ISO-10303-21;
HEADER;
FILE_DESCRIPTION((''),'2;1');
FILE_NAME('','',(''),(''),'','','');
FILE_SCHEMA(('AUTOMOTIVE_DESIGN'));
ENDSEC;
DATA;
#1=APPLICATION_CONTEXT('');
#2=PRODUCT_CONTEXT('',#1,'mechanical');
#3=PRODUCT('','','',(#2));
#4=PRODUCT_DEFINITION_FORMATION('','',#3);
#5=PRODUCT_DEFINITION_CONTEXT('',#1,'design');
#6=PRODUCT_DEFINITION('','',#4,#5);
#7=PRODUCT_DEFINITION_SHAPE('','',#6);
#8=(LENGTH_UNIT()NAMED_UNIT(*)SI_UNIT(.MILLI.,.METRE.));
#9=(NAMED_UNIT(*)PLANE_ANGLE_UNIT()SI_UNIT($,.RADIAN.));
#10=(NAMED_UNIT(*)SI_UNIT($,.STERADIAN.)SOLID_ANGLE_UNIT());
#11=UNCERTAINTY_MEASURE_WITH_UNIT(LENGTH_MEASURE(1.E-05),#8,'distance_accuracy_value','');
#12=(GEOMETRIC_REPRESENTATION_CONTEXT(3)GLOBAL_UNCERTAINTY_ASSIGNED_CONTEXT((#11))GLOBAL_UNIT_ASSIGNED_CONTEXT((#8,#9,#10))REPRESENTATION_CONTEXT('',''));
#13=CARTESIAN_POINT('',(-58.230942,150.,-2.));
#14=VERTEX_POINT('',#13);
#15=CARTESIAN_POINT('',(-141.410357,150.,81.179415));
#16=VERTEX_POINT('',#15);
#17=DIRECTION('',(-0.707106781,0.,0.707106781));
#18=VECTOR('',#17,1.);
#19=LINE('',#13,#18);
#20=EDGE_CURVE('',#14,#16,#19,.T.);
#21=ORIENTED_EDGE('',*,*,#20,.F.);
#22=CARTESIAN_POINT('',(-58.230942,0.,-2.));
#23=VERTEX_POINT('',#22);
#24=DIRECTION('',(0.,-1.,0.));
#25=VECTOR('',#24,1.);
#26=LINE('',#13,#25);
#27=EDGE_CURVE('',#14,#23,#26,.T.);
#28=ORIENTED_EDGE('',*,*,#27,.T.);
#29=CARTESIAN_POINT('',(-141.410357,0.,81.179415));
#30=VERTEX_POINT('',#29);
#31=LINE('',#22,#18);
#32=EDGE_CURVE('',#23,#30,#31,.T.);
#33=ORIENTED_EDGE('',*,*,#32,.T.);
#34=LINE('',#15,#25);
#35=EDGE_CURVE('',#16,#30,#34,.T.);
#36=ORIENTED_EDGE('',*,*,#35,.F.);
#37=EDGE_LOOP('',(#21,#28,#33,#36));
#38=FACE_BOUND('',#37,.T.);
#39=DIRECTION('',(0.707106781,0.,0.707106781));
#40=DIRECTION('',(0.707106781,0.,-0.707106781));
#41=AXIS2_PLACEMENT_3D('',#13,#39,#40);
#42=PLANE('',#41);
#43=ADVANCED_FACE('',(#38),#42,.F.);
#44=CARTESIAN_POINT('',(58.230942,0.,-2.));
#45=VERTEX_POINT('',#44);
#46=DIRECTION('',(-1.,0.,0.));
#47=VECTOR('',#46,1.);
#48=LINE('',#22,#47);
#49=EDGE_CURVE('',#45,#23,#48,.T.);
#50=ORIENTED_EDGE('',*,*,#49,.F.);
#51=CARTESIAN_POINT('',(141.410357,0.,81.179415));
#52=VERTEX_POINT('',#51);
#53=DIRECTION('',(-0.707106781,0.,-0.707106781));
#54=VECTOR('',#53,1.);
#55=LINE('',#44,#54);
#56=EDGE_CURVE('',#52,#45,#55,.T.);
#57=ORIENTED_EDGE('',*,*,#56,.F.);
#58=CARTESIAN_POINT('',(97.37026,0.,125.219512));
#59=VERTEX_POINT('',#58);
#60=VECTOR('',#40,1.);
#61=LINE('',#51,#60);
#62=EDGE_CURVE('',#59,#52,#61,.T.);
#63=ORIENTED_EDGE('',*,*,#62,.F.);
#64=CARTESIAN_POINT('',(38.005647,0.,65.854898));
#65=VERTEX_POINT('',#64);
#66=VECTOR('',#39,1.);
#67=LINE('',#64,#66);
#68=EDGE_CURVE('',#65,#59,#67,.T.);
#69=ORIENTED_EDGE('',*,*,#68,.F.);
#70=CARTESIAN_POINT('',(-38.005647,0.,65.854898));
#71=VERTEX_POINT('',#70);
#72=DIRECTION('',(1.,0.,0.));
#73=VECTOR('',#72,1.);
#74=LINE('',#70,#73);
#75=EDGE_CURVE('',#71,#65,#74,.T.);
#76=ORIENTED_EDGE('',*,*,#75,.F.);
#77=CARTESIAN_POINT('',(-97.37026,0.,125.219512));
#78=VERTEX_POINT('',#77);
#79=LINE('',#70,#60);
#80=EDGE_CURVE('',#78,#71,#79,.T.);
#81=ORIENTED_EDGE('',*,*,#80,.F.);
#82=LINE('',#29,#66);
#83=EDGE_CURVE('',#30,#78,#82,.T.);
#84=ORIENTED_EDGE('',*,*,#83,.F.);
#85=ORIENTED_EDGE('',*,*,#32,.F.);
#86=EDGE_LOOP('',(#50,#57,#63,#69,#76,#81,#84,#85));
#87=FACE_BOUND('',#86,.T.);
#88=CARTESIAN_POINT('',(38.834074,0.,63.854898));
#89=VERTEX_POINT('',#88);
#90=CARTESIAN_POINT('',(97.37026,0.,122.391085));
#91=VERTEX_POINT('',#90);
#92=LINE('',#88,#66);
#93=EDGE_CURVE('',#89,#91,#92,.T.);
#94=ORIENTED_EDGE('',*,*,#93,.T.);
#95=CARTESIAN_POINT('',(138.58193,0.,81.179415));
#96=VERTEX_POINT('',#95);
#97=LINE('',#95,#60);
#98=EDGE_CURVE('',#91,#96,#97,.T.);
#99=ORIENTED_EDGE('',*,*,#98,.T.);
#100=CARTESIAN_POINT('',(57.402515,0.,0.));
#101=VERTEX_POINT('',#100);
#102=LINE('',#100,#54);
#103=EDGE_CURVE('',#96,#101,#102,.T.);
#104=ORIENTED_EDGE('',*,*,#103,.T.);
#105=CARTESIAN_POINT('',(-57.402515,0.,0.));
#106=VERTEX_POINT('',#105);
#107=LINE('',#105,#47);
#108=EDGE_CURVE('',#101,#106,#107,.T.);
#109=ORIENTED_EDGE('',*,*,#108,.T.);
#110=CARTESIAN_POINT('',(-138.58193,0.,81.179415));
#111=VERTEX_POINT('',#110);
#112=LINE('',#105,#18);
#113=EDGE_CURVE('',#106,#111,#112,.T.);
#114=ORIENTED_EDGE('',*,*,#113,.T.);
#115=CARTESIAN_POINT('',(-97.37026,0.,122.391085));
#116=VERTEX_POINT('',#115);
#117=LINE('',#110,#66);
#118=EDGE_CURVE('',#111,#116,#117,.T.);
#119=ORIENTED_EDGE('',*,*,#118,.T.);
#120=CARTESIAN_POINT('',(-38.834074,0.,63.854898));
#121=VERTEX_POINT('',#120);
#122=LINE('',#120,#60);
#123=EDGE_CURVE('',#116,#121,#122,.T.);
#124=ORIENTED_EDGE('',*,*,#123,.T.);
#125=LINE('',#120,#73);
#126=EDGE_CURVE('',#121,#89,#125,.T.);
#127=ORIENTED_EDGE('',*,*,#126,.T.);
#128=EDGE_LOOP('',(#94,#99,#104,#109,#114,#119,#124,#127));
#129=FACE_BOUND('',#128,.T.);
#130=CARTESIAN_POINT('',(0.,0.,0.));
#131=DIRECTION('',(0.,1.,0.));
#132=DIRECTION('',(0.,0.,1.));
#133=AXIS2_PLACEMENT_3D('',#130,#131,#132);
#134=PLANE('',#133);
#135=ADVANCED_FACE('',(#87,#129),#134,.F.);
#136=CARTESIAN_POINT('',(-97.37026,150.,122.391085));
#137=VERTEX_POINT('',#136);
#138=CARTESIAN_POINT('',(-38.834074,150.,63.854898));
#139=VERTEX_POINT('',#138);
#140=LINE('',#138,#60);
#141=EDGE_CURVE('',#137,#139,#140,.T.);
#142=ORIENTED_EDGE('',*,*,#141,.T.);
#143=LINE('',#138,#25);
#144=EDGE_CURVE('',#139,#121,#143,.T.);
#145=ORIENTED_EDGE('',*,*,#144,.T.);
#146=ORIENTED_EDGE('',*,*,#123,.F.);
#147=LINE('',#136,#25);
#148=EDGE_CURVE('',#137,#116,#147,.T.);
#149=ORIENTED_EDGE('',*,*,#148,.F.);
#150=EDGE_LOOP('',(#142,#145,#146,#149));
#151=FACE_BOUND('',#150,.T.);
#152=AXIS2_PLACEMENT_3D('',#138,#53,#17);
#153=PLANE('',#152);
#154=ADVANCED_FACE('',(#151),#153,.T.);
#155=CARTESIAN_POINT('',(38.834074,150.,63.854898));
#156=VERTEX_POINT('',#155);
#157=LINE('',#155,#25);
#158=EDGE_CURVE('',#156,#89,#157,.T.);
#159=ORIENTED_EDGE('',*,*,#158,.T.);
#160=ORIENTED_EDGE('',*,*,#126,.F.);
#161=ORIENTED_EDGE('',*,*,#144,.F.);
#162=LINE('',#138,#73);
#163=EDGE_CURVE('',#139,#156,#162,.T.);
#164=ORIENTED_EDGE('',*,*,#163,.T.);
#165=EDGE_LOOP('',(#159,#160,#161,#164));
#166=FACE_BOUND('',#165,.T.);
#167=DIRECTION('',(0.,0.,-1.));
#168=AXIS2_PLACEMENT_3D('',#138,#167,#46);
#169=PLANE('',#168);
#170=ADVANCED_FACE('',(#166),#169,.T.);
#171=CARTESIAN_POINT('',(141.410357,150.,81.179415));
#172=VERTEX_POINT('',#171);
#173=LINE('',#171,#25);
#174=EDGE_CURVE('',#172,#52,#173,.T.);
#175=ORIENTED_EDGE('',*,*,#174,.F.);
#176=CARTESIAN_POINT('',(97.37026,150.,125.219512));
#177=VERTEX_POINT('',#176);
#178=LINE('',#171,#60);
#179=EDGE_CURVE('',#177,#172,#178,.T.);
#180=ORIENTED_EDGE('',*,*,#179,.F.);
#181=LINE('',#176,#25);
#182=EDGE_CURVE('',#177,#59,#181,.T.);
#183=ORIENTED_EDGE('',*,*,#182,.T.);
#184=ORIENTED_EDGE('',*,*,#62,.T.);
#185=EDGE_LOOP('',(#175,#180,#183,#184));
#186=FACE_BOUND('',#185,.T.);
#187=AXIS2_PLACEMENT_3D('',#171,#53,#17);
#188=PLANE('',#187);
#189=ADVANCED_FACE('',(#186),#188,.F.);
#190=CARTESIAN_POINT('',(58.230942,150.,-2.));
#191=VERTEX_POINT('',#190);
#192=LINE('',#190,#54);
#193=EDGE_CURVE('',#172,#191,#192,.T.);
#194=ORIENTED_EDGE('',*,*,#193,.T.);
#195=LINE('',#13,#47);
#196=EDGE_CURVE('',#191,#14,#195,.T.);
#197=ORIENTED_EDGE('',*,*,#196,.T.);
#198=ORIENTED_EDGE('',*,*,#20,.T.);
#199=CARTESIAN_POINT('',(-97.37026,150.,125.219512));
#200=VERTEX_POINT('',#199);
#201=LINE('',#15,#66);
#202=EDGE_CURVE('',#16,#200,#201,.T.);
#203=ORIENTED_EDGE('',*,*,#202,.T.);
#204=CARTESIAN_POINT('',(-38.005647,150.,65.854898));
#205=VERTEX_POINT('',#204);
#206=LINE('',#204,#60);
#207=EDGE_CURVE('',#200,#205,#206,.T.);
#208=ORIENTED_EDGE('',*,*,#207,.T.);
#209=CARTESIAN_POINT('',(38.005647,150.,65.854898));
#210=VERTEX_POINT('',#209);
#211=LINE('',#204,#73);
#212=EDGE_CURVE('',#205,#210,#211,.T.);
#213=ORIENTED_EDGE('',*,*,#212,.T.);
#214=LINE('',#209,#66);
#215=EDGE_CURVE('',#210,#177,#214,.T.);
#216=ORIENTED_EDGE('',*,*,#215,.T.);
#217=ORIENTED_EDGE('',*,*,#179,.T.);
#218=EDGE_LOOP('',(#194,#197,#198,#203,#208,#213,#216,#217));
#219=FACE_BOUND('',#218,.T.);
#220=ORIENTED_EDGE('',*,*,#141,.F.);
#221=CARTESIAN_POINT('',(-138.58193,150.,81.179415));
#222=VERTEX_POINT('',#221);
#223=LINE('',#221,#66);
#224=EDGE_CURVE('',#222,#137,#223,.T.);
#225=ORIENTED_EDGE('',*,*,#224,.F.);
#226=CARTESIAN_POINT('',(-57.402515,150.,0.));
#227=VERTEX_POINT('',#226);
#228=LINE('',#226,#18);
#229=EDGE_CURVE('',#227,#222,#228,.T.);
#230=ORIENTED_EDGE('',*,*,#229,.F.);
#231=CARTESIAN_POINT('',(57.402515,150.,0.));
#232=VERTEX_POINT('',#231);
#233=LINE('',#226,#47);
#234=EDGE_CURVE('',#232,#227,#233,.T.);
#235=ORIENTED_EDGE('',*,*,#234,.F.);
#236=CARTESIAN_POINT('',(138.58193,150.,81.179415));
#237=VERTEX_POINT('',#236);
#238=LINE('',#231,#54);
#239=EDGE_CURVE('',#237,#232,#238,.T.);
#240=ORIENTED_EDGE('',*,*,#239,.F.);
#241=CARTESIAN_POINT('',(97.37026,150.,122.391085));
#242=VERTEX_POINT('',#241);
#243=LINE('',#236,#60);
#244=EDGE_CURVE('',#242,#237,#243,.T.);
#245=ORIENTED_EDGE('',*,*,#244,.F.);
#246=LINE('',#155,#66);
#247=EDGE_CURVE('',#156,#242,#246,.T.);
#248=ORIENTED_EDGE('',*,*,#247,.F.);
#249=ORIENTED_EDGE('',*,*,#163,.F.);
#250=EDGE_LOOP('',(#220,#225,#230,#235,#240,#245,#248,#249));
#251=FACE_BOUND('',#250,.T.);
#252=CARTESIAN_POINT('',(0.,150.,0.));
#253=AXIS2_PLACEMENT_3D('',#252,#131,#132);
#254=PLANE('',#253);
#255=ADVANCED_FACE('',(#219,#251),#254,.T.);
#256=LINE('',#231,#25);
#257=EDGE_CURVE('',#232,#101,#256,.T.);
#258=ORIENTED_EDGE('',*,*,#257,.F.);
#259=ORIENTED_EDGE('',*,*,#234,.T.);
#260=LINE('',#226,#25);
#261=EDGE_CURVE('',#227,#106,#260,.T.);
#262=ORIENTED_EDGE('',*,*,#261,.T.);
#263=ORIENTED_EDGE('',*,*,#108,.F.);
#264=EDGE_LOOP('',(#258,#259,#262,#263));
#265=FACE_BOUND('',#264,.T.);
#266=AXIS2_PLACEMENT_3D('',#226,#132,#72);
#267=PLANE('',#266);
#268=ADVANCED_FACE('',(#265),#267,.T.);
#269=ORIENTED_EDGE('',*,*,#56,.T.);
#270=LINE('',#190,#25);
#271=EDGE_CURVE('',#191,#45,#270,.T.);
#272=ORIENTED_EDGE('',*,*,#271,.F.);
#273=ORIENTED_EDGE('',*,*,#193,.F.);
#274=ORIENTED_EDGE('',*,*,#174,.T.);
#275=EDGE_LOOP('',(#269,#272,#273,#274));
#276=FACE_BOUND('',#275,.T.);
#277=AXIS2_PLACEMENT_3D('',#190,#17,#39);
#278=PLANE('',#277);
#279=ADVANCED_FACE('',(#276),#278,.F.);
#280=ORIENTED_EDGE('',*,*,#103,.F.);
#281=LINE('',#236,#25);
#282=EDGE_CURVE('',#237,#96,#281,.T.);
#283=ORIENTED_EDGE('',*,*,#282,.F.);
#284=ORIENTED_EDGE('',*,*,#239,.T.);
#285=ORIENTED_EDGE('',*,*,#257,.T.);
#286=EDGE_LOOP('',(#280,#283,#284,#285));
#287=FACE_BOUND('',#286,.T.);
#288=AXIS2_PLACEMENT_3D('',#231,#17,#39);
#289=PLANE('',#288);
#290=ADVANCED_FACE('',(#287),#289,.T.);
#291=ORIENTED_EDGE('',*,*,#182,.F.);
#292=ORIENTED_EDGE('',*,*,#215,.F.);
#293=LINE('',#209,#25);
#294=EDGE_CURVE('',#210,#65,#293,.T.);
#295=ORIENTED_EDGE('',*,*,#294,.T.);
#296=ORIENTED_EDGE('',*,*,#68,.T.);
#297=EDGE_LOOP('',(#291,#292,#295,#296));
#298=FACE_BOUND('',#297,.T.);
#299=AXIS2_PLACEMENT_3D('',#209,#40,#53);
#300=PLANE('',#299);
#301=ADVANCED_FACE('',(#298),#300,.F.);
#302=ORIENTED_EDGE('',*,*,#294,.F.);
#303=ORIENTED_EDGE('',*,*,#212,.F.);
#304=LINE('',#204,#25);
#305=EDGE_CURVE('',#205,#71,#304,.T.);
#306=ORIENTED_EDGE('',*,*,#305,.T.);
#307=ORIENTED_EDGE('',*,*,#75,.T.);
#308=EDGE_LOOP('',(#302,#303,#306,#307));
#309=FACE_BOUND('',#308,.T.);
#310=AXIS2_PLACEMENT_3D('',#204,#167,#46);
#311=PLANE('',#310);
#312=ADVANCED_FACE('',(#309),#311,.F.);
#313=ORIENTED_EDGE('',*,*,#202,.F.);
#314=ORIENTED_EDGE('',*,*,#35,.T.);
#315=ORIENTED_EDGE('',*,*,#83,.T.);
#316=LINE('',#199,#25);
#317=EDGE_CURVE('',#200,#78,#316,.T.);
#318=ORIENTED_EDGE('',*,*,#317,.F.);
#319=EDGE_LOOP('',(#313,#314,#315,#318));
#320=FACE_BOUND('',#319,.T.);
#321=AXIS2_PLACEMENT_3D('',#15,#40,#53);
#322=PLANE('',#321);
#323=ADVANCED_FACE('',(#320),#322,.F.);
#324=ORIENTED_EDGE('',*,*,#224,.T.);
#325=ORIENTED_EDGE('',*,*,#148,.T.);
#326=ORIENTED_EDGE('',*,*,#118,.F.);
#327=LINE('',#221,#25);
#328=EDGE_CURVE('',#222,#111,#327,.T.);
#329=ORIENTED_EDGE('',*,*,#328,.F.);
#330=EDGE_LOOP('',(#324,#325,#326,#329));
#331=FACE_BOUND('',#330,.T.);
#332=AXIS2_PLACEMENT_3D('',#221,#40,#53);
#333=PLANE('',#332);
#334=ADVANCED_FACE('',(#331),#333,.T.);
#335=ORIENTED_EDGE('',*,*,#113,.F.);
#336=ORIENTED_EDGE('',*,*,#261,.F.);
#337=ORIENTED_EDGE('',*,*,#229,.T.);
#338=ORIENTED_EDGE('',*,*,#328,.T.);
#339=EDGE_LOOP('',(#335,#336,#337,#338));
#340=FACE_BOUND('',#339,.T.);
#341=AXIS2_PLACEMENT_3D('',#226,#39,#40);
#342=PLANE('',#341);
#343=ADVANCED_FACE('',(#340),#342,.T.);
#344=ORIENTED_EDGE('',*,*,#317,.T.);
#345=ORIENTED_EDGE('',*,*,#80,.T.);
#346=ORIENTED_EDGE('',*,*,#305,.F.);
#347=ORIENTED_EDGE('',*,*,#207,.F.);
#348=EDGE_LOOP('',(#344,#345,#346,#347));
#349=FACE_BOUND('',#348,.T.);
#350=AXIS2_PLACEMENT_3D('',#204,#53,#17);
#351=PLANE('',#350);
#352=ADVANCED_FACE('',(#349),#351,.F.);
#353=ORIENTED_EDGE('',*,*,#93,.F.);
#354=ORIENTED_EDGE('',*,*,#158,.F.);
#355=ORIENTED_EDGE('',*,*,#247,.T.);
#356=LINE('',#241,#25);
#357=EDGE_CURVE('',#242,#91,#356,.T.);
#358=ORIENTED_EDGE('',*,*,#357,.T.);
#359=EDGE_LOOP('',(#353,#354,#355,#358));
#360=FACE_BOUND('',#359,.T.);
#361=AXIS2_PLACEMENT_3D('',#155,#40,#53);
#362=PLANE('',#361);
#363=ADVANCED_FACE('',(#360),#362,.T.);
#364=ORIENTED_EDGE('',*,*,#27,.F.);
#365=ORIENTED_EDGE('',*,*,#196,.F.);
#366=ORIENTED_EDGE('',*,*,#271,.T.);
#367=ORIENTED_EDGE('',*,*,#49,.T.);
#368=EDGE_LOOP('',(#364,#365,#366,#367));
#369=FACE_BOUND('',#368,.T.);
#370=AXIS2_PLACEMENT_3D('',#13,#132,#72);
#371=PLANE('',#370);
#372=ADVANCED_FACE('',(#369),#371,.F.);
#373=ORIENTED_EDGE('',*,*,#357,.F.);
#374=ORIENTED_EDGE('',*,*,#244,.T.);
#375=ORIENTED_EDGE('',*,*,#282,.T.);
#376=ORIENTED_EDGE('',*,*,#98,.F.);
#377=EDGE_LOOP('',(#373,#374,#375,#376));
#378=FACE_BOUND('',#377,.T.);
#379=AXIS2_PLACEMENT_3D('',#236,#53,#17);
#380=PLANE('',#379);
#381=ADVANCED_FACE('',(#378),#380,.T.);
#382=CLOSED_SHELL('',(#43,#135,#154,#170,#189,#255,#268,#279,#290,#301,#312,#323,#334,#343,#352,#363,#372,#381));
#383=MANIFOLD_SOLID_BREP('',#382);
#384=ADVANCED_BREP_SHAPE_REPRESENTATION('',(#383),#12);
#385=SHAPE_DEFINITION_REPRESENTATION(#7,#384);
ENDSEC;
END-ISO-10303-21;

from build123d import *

# Parameters (mm, degrees)
EXTRUDE_1_DEPTH = 150


with BuildPart() as part:
    # 草图1 → 凸台-拉伸1 (new body)
    with BuildSketch(Plane(origin=(0, 0, 0), x_dir=(1, 0, 0), z_dir=(0, 1, 0))):
        Polygon((-141.410357001, -81.179415022), (-97.370260274, -125.21951175), (-38.005646949, -65.854898425), (38.005646949, -65.854898425), (97.370260274, -125.21951175), (141.410357001, -81.179415022), (58.23094198, 2), (-58.23094198, 2), align=None)
        Polygon((-57.402514855, 0), (57.402514855, 0), (138.581929877, -81.179415022), (97.370260274, -122.391084625), (38.834074074, -63.854898425), (-38.834074074, -63.854898425), (-97.370260274, -122.391084625), (-138.581929877, -81.179415022), align=None, mode=Mode.SUBTRACT)
    extrude(amount=EXTRUDE_1_DEPTH)


solid = part.part
